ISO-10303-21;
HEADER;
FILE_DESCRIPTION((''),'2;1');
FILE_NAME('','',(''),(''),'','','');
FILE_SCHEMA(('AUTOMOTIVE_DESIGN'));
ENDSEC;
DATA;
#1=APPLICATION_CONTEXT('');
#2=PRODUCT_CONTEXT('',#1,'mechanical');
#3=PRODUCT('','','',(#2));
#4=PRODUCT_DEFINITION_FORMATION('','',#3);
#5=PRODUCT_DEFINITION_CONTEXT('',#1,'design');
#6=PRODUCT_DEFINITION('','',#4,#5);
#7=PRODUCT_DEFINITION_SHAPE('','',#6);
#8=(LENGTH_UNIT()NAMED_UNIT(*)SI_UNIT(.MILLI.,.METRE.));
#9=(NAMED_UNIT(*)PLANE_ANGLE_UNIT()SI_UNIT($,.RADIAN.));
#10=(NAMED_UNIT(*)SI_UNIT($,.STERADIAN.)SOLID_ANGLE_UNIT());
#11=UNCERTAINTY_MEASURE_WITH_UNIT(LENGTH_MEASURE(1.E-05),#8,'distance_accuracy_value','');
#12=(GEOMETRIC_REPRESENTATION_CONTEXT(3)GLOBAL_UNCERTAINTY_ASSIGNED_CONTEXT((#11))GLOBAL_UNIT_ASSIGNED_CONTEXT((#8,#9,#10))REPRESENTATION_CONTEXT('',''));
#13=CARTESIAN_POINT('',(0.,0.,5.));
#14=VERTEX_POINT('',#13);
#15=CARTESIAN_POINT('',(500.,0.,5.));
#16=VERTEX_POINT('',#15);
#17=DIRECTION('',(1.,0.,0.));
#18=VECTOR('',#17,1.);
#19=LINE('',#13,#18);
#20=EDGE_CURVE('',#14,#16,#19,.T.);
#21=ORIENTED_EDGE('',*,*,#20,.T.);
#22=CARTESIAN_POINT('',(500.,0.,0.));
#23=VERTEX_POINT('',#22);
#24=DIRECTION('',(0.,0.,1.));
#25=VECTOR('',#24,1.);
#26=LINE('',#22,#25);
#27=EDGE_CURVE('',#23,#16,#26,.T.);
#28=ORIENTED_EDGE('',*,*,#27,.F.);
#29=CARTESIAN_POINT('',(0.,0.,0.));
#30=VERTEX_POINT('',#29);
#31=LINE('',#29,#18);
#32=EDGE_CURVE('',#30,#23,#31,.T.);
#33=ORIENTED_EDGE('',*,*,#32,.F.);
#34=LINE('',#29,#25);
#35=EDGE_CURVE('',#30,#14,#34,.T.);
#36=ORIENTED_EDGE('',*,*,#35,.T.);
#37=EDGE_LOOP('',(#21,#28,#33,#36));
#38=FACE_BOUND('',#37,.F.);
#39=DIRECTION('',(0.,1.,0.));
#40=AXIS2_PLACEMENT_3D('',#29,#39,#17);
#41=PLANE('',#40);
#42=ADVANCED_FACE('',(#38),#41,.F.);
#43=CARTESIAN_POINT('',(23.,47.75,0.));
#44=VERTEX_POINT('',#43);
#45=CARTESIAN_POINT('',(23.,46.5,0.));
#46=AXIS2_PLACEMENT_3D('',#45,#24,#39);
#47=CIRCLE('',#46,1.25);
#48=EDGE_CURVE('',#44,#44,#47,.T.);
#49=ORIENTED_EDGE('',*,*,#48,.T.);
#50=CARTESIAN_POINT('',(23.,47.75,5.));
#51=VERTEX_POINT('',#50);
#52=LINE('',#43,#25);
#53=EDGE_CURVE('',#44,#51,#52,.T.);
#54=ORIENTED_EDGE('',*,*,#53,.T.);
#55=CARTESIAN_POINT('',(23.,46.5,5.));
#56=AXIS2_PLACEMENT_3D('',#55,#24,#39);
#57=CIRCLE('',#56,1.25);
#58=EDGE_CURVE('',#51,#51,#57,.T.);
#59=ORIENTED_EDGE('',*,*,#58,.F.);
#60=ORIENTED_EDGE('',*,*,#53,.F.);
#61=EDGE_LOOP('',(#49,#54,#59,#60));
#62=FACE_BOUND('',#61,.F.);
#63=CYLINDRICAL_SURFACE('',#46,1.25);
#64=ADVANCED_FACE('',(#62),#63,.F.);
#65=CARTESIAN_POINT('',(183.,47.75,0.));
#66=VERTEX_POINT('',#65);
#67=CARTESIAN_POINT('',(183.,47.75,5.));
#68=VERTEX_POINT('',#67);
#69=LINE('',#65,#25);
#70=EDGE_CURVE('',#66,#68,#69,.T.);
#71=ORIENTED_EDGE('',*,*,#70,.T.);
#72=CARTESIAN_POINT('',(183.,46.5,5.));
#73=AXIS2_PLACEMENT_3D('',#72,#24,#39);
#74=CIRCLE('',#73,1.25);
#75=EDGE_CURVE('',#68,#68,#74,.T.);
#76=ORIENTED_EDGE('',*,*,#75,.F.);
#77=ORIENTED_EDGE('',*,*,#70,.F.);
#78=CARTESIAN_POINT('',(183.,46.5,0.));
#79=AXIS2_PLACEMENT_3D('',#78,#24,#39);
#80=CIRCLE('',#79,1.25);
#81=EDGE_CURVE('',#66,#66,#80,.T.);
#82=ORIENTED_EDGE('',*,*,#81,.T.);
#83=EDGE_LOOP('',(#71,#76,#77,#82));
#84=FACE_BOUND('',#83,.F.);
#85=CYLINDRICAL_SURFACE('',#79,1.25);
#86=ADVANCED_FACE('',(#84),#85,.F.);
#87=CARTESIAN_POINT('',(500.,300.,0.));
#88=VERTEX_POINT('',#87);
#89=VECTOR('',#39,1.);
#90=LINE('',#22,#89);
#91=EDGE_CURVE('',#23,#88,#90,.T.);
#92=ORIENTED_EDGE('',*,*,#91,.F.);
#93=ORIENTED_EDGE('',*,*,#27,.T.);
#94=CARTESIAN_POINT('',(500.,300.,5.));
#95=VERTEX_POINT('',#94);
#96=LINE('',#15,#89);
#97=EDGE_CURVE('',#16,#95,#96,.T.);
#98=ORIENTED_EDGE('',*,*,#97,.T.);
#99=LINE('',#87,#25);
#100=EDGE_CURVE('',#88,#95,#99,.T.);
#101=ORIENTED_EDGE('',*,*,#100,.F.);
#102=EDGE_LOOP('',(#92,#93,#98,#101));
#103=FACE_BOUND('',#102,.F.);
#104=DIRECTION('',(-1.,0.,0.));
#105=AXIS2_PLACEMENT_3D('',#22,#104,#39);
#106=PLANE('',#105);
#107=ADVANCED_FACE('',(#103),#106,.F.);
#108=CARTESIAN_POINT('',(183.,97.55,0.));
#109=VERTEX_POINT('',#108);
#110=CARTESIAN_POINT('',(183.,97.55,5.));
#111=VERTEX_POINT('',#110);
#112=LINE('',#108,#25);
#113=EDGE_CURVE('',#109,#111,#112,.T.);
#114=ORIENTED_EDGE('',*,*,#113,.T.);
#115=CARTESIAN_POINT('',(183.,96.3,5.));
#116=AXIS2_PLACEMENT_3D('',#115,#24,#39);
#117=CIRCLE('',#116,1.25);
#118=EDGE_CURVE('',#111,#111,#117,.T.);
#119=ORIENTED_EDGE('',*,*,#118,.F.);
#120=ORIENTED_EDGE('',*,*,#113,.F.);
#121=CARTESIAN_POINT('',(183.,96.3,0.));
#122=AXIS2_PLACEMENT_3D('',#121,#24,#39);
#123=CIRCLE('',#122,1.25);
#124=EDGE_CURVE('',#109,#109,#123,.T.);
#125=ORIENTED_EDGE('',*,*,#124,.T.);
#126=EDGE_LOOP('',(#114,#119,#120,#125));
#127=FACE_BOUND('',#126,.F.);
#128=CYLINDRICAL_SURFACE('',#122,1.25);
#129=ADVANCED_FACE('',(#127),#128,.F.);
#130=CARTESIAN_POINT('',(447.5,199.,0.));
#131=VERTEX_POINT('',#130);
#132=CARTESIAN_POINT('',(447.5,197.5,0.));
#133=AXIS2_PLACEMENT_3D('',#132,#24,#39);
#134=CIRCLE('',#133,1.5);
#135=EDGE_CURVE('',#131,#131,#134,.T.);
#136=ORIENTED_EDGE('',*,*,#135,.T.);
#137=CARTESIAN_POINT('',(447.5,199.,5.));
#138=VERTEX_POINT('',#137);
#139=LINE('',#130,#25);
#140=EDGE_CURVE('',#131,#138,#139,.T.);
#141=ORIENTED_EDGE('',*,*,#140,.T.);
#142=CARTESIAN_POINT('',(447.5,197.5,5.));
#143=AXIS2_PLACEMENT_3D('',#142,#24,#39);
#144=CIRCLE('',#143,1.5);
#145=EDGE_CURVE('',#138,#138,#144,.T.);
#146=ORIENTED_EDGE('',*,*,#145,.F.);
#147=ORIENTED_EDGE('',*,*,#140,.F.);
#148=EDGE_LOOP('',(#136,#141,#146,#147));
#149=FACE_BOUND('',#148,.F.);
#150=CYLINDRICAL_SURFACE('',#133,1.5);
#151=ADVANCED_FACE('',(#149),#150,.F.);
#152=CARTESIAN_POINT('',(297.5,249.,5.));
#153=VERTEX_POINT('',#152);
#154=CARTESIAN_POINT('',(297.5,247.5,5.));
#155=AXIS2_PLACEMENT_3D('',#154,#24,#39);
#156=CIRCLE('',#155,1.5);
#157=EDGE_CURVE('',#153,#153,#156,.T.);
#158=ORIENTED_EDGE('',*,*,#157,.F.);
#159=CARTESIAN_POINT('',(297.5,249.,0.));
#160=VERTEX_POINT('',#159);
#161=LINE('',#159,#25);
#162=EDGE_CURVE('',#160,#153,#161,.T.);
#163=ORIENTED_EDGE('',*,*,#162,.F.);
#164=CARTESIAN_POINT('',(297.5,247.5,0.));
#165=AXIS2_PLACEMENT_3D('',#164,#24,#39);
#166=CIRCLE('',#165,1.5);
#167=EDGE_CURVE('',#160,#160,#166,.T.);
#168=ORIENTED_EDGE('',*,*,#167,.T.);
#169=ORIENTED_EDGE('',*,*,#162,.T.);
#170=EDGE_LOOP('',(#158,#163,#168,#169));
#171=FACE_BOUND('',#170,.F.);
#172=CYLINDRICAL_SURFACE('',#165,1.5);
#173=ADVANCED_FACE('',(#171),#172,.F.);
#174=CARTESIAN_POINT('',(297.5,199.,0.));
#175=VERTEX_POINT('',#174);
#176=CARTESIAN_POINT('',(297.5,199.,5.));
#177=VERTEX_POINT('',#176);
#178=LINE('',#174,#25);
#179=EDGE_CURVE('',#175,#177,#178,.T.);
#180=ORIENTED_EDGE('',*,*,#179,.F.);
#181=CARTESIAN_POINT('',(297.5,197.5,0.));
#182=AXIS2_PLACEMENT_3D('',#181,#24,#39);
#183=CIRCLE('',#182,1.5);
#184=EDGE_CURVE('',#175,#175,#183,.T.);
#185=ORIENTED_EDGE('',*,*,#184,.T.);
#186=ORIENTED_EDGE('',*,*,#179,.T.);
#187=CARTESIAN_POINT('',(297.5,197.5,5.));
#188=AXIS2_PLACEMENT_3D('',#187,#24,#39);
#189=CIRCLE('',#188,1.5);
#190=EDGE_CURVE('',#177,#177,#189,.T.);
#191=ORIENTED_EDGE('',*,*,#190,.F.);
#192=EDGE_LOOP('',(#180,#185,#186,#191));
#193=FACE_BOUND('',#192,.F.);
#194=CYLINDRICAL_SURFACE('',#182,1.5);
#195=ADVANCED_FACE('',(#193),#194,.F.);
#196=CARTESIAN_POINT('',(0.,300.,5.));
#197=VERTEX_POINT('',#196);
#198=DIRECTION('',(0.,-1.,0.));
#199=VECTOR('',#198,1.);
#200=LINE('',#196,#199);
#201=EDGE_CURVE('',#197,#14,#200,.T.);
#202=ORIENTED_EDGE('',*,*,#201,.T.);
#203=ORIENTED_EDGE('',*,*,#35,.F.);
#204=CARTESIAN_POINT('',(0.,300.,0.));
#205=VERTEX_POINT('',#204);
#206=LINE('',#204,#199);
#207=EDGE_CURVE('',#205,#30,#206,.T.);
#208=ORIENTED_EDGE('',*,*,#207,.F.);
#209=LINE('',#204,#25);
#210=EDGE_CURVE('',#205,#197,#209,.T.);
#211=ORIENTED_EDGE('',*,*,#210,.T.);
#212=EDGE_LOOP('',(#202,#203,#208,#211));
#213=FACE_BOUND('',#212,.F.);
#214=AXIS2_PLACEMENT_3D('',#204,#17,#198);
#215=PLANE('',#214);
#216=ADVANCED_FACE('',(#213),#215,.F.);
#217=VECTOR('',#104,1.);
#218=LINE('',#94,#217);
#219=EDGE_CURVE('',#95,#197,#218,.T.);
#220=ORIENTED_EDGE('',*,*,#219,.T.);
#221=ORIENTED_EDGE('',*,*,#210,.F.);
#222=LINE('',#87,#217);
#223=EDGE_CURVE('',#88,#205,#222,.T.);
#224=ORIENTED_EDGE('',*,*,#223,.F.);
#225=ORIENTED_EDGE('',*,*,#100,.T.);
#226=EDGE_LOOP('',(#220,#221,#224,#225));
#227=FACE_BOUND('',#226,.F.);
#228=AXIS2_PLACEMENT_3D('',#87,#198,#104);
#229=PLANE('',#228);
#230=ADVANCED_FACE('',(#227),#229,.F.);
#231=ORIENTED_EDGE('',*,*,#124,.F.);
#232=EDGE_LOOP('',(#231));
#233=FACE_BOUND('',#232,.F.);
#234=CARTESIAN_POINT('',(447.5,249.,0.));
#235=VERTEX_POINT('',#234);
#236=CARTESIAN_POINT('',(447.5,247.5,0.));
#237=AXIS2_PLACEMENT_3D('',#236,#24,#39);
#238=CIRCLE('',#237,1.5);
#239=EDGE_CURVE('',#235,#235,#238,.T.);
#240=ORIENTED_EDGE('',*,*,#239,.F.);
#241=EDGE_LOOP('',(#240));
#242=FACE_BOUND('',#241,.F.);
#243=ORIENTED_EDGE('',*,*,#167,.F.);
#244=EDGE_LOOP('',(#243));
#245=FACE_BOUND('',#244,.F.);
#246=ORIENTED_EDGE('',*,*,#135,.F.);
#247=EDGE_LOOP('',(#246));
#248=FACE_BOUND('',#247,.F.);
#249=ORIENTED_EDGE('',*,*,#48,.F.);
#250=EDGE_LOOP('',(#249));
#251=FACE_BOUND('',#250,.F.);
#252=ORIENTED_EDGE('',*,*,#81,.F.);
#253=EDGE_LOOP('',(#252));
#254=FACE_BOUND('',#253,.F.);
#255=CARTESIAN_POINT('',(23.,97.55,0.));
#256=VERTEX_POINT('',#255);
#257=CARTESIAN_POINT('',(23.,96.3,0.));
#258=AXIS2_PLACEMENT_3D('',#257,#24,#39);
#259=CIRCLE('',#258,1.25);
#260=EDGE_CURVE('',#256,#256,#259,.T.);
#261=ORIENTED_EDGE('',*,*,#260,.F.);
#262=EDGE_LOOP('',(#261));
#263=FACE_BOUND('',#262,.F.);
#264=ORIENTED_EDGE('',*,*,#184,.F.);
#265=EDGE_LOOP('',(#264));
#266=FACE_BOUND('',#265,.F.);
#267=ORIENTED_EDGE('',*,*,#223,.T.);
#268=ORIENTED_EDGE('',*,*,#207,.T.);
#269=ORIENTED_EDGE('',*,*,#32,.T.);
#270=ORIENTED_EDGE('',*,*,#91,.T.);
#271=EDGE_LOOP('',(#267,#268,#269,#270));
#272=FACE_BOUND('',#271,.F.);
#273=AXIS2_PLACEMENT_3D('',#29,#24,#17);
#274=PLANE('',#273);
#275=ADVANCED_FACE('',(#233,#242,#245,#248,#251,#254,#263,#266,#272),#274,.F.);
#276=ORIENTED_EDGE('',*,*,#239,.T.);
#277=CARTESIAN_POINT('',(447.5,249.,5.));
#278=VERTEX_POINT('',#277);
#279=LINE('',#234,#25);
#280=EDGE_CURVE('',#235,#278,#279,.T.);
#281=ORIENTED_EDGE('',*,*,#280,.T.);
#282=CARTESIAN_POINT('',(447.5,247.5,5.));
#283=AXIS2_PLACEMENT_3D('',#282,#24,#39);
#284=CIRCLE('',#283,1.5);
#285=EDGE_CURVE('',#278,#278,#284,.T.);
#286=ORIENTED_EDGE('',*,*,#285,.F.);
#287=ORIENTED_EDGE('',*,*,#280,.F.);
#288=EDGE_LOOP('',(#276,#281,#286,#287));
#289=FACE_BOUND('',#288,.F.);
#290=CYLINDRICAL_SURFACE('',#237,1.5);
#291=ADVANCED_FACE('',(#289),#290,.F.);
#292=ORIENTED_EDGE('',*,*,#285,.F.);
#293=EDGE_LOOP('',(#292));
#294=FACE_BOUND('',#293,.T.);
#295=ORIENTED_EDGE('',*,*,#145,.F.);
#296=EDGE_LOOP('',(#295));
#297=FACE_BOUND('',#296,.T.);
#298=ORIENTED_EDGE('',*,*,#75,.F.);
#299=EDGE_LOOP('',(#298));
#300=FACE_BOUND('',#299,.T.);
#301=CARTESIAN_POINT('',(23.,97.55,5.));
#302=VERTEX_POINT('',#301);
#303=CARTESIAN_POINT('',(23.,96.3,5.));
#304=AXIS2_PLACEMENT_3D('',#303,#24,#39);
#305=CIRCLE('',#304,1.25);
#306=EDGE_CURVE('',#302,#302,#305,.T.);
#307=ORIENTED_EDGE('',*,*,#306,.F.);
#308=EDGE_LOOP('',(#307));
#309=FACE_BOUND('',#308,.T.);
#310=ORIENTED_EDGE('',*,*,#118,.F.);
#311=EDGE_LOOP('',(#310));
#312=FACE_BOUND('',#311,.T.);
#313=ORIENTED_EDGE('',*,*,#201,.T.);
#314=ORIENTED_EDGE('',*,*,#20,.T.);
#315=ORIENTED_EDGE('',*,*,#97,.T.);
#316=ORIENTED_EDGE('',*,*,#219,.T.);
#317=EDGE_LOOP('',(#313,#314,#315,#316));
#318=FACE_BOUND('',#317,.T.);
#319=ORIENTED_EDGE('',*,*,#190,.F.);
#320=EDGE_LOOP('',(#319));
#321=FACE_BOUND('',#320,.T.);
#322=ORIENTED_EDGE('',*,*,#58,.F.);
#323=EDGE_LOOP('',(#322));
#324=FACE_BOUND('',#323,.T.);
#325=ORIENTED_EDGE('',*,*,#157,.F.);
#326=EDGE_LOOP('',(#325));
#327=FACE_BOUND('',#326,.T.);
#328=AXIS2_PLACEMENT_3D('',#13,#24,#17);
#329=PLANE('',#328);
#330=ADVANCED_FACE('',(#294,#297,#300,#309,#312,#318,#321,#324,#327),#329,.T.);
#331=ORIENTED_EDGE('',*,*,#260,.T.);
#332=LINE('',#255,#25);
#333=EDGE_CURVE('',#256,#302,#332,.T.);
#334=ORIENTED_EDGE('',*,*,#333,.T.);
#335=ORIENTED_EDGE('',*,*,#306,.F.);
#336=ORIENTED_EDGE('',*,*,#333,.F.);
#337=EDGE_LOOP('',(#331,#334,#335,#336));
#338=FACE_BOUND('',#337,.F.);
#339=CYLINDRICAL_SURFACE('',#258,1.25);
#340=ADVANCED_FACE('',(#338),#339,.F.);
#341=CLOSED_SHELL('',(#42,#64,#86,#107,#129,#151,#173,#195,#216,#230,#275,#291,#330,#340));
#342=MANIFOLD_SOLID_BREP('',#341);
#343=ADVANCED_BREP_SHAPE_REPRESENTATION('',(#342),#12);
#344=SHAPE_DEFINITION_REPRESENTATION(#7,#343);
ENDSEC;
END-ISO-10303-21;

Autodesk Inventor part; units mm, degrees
ref_plane "YZ Plane" through (0, 0, 0) normal (1, 0, 0) x (0, 1, 0)
ref_plane "XZ Plane" through (0, 0, 0) normal (0, 1, 0) x (-1, 0, 0)
ref_plane "XY Plane" through (0, 0, 0) normal (0, 0, 1) x (1, 0, 0)
sketch "Sketch1" plane through (0, 0, 0) normal (0, 0, 1) x (1, 0, 0)
  line L0 (0, 0) -> (500, 0)
  line L1 (500, 0) -> (500, 300)
  line L2 (500, 300) -> (0, 300)
  line L3 (0, 300) -> (0, 0)
  point P0 (23, 46.5)
  point P1 (23, 96.3)
  point P2 (183, 46.5)
  point P3 (183, 96.3)
  point P4 (447.5, 247.5)
  point P5 (297.5, 247.5)
  point P6 (297.5, 197.5)
  point P7 (447.5, 197.5)
  dimension "d0" = 500
  dimension "d1" = 300
  dimension "d2" = 46.5
  dimension "d3" = 23
  dimension "d4" = 49.8
  dimension "d5" = 160
  dimension "d6" = 160
  dimension "d7" = 49.8
  dimension "d8" = 52.5
  dimension "d9" = 52.5
  dimension "d11" = 150
  dimension "d12" = 52.5
  dimension "d13" = 150
  dimension "d14" = 50
  dimension "d15" = 50
  dimension "d16" = 52.5
extrude "Extrusion1" add sketch "Sketch1" along normal blind 5
hole "Hole1" at (297.5, 197.5, 0) at (297.5, 247.5, 0) at (447.5, 247.5, 0) at (447.5, 197.5, 0) direction (0, 0, 1) diameter 3 end through all
hole "Hole2" at (23, 46.5, 0) at (23, 96.3, 0) at (183, 46.5, 0) at (183, 96.3, 0) direction (0, 0, 1) diameter 2.5 end through all
properties part number "mounting plate"
